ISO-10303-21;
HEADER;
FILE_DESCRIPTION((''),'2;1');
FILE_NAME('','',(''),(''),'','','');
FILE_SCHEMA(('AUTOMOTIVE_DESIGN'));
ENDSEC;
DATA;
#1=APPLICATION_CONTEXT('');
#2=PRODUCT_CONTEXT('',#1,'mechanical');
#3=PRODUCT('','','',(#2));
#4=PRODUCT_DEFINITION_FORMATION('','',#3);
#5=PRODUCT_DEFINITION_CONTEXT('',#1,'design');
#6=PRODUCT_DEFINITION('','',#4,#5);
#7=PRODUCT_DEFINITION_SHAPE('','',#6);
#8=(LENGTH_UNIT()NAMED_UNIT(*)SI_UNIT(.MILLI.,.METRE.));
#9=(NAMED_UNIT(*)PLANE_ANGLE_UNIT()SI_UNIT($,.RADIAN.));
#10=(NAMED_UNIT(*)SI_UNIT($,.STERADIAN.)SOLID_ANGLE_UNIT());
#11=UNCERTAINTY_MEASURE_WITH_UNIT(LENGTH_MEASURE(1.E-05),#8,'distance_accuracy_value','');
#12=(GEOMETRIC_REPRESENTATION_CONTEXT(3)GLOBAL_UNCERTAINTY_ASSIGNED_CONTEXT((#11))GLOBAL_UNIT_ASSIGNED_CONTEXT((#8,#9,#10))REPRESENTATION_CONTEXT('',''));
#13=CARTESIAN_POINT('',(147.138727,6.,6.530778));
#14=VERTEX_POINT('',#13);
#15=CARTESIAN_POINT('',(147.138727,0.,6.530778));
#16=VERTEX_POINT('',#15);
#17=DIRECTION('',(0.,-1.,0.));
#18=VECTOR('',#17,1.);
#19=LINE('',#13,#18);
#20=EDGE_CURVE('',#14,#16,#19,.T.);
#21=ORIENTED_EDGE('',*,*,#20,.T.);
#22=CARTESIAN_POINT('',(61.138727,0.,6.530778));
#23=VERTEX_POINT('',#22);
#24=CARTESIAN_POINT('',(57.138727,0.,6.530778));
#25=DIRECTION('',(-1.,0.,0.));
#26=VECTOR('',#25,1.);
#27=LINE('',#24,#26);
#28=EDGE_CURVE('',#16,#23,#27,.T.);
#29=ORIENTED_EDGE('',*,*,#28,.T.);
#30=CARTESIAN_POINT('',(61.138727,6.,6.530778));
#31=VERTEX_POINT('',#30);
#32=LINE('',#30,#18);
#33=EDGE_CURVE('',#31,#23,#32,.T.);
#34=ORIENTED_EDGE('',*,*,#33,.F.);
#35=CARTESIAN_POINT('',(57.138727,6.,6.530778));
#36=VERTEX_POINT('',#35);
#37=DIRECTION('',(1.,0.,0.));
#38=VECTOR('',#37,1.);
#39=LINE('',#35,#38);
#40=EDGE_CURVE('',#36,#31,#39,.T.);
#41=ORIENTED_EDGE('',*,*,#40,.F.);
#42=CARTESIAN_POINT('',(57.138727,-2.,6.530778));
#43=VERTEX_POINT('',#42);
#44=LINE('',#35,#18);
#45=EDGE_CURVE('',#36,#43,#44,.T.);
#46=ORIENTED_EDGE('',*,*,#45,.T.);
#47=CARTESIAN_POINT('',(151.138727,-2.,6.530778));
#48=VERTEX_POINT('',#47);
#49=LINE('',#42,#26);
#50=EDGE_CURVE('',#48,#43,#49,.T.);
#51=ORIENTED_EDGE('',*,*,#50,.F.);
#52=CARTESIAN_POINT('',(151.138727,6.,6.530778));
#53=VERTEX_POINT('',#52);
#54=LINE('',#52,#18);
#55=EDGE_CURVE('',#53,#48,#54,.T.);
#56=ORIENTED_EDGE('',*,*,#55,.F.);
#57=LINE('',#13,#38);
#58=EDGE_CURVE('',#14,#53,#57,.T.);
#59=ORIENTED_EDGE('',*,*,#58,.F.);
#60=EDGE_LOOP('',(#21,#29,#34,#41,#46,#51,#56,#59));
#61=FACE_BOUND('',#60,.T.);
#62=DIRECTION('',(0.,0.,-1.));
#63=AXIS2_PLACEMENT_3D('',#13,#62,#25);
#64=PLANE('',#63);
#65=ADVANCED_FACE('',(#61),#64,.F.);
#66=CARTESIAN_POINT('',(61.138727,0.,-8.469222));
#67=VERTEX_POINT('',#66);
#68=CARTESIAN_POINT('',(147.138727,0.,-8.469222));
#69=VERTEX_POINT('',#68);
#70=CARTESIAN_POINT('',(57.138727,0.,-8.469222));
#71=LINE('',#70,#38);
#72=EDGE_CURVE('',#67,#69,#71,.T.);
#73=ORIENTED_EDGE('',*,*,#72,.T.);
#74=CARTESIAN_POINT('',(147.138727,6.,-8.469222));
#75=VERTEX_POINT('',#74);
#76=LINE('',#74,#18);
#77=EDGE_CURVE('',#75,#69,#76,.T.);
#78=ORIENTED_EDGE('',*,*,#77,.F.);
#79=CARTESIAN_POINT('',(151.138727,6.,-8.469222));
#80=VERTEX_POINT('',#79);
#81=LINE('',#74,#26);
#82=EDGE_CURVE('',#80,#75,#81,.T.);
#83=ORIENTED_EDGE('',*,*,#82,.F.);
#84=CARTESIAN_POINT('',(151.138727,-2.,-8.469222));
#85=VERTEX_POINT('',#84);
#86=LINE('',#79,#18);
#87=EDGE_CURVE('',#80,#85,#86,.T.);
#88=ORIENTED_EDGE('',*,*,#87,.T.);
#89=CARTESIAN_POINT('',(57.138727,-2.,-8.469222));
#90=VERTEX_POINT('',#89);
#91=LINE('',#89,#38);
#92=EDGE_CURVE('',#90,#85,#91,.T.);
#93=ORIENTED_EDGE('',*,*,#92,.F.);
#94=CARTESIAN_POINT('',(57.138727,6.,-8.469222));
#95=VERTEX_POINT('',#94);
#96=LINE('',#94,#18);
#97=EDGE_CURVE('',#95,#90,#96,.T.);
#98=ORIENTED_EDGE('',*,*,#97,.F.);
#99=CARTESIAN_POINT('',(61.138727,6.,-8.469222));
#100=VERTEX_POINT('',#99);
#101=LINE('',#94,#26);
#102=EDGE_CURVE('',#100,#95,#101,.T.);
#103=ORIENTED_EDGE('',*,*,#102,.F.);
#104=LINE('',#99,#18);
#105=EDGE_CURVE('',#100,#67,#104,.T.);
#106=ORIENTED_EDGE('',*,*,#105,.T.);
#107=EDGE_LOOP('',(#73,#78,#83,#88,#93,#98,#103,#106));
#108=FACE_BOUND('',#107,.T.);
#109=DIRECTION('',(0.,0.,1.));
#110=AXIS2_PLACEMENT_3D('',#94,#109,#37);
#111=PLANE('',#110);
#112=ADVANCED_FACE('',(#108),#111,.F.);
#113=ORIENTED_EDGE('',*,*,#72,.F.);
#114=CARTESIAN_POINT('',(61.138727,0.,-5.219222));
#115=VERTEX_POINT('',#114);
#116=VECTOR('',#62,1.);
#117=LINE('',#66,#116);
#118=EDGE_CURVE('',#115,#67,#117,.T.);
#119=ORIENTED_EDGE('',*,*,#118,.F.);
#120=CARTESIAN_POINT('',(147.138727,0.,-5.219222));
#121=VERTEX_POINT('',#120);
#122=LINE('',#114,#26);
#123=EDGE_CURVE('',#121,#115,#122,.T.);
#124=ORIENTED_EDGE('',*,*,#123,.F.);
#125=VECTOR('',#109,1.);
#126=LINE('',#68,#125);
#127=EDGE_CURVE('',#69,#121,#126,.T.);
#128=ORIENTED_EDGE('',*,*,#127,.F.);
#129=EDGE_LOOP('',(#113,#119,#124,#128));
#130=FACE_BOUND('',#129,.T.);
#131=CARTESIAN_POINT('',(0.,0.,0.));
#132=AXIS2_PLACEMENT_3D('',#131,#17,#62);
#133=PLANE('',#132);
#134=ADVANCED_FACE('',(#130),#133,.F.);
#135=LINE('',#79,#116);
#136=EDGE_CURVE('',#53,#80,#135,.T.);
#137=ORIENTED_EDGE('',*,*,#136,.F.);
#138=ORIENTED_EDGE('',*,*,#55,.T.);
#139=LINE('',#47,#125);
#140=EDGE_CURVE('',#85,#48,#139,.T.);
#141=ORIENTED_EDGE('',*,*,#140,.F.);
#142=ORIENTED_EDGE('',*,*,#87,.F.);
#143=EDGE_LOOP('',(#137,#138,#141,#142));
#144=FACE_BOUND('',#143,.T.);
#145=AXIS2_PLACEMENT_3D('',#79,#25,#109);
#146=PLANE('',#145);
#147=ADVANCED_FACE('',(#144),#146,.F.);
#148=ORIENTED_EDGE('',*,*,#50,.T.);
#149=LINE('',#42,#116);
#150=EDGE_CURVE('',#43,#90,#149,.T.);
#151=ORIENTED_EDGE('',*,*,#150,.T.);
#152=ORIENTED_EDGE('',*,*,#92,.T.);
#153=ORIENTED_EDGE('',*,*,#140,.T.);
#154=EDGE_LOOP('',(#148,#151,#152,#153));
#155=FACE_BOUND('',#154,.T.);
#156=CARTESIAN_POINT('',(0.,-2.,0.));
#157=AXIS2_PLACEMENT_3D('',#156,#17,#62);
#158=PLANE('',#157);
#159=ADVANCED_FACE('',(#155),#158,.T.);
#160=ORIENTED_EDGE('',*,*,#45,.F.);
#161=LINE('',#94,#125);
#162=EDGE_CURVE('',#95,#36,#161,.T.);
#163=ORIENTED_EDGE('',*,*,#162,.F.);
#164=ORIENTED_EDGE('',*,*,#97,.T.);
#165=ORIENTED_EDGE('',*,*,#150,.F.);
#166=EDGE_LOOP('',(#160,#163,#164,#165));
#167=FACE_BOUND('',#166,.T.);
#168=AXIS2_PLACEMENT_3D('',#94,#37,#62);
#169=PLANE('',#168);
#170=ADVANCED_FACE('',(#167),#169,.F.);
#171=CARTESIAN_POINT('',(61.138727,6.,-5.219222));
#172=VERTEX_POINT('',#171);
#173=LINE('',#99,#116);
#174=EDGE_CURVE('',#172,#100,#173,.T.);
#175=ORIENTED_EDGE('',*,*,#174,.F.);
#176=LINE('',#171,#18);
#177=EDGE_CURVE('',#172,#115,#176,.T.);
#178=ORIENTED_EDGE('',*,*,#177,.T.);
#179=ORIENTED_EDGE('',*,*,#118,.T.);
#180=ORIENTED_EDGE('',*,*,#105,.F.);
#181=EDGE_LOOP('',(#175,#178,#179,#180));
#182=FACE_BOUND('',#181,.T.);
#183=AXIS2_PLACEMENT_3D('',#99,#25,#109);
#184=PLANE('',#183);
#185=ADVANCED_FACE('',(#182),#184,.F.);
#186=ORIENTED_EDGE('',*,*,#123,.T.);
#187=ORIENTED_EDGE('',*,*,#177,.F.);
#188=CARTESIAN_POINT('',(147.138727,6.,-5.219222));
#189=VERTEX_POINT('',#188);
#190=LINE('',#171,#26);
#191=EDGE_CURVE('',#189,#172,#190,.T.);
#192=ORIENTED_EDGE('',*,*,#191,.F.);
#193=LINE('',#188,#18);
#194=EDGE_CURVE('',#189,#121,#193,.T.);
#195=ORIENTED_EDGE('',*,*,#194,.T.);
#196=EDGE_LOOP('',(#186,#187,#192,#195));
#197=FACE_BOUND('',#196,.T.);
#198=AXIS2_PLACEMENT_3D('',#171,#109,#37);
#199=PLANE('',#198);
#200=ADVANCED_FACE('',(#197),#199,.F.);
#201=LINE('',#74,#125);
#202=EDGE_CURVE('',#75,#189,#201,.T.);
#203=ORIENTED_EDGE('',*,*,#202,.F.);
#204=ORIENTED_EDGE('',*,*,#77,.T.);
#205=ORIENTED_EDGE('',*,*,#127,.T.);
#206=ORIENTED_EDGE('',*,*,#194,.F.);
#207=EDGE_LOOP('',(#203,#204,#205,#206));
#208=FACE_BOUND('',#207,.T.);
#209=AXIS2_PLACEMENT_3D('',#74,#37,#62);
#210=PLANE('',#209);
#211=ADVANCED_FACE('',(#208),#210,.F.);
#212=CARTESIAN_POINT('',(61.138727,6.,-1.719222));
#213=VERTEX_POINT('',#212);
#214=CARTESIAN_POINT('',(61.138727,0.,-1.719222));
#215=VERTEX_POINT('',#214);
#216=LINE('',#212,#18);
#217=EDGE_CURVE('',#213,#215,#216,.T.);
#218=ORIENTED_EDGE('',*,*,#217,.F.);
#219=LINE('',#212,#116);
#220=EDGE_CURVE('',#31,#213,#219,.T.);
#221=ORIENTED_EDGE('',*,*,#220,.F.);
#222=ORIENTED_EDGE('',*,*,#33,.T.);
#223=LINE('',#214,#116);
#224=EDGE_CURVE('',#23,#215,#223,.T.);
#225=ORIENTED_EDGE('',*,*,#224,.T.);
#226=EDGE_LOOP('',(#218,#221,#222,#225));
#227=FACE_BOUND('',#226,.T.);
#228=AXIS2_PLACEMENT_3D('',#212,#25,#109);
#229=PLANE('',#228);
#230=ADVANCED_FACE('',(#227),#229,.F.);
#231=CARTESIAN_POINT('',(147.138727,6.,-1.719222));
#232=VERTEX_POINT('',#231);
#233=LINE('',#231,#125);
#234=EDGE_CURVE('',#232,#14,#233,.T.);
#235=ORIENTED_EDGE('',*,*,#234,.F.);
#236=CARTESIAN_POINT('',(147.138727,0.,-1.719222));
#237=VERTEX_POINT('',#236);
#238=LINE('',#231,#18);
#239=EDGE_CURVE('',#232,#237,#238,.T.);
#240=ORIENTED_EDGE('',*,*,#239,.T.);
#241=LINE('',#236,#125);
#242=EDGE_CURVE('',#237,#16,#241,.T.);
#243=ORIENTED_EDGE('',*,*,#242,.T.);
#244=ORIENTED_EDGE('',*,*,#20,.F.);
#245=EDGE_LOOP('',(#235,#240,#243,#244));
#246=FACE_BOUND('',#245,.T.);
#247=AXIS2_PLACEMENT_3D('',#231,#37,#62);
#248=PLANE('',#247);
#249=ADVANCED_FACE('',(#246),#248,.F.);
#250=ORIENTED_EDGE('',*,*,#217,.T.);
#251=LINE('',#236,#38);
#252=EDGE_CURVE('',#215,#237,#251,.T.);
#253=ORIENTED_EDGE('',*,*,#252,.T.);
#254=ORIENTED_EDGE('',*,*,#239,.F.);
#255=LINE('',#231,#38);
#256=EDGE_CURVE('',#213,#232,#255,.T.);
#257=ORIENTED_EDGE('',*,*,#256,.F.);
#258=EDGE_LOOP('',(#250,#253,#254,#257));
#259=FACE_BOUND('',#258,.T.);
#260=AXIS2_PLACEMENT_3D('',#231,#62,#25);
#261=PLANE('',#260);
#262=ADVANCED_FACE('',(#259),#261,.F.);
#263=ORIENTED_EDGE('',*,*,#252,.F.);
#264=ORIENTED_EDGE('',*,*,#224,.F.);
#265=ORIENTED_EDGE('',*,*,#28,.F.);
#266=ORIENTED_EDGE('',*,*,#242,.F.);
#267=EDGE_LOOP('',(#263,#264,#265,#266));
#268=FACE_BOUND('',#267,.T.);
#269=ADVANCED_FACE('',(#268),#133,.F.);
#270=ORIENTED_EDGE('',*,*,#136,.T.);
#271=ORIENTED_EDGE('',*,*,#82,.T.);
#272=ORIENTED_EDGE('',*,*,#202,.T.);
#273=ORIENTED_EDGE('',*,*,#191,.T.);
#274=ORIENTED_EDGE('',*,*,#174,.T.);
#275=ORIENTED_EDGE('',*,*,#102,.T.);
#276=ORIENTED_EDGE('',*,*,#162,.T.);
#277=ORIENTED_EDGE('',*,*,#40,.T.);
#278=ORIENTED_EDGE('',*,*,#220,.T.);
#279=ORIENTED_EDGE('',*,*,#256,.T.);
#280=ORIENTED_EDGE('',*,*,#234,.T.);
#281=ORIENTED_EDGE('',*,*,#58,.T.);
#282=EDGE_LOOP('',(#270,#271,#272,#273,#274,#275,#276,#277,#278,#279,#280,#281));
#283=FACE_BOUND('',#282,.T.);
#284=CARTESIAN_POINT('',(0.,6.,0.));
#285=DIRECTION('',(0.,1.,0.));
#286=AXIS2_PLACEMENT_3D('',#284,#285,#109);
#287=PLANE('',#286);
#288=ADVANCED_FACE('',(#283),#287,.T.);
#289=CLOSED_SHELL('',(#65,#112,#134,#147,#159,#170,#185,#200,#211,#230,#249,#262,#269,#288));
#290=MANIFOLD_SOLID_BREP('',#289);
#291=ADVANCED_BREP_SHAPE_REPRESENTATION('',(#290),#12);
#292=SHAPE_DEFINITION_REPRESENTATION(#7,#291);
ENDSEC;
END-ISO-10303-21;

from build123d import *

# Parameters (mm, degrees)
BOSS_EXTRUDE1_DEPTH = 6
SKETCH2_W           = 94
SKETCH2_H           = 15
BOSS_EXTRUDE2_DEPTH = 2


with BuildPart() as part:
    # Sketch1 → Boss-Extrude1 (new body)
    with BuildSketch(Plane(origin=(0, 0, 0), x_dir=(1, 0, 0), z_dir=(0, 1, 0))):
        Polygon((57.138726824, 8.469222481), (61.138726824, 8.469222481), (61.138726824, 5.219222481), (147.138726824, 5.219222481), (147.138726824, 8.469222481), (151.138726824, 8.469222481), (151.138726824, -6.530777519), (147.138726824, -6.530777519), (147.138726824, 1.719222481), (61.138726824, 1.719222481), (61.138726824, -6.530777519), (57.138726824, -6.530777519), align=None)
    extrude(amount=BOSS_EXTRUDE1_DEPTH)

    # Sketch2 → Boss-Extrude2 (add)
    with BuildSketch(Plane.XZ):
        with Locations((104.138726824, -0.969222481)):
            Rectangle(SKETCH2_W, SKETCH2_H)
    extrude(amount=BOSS_EXTRUDE2_DEPTH)


solid = part.part
